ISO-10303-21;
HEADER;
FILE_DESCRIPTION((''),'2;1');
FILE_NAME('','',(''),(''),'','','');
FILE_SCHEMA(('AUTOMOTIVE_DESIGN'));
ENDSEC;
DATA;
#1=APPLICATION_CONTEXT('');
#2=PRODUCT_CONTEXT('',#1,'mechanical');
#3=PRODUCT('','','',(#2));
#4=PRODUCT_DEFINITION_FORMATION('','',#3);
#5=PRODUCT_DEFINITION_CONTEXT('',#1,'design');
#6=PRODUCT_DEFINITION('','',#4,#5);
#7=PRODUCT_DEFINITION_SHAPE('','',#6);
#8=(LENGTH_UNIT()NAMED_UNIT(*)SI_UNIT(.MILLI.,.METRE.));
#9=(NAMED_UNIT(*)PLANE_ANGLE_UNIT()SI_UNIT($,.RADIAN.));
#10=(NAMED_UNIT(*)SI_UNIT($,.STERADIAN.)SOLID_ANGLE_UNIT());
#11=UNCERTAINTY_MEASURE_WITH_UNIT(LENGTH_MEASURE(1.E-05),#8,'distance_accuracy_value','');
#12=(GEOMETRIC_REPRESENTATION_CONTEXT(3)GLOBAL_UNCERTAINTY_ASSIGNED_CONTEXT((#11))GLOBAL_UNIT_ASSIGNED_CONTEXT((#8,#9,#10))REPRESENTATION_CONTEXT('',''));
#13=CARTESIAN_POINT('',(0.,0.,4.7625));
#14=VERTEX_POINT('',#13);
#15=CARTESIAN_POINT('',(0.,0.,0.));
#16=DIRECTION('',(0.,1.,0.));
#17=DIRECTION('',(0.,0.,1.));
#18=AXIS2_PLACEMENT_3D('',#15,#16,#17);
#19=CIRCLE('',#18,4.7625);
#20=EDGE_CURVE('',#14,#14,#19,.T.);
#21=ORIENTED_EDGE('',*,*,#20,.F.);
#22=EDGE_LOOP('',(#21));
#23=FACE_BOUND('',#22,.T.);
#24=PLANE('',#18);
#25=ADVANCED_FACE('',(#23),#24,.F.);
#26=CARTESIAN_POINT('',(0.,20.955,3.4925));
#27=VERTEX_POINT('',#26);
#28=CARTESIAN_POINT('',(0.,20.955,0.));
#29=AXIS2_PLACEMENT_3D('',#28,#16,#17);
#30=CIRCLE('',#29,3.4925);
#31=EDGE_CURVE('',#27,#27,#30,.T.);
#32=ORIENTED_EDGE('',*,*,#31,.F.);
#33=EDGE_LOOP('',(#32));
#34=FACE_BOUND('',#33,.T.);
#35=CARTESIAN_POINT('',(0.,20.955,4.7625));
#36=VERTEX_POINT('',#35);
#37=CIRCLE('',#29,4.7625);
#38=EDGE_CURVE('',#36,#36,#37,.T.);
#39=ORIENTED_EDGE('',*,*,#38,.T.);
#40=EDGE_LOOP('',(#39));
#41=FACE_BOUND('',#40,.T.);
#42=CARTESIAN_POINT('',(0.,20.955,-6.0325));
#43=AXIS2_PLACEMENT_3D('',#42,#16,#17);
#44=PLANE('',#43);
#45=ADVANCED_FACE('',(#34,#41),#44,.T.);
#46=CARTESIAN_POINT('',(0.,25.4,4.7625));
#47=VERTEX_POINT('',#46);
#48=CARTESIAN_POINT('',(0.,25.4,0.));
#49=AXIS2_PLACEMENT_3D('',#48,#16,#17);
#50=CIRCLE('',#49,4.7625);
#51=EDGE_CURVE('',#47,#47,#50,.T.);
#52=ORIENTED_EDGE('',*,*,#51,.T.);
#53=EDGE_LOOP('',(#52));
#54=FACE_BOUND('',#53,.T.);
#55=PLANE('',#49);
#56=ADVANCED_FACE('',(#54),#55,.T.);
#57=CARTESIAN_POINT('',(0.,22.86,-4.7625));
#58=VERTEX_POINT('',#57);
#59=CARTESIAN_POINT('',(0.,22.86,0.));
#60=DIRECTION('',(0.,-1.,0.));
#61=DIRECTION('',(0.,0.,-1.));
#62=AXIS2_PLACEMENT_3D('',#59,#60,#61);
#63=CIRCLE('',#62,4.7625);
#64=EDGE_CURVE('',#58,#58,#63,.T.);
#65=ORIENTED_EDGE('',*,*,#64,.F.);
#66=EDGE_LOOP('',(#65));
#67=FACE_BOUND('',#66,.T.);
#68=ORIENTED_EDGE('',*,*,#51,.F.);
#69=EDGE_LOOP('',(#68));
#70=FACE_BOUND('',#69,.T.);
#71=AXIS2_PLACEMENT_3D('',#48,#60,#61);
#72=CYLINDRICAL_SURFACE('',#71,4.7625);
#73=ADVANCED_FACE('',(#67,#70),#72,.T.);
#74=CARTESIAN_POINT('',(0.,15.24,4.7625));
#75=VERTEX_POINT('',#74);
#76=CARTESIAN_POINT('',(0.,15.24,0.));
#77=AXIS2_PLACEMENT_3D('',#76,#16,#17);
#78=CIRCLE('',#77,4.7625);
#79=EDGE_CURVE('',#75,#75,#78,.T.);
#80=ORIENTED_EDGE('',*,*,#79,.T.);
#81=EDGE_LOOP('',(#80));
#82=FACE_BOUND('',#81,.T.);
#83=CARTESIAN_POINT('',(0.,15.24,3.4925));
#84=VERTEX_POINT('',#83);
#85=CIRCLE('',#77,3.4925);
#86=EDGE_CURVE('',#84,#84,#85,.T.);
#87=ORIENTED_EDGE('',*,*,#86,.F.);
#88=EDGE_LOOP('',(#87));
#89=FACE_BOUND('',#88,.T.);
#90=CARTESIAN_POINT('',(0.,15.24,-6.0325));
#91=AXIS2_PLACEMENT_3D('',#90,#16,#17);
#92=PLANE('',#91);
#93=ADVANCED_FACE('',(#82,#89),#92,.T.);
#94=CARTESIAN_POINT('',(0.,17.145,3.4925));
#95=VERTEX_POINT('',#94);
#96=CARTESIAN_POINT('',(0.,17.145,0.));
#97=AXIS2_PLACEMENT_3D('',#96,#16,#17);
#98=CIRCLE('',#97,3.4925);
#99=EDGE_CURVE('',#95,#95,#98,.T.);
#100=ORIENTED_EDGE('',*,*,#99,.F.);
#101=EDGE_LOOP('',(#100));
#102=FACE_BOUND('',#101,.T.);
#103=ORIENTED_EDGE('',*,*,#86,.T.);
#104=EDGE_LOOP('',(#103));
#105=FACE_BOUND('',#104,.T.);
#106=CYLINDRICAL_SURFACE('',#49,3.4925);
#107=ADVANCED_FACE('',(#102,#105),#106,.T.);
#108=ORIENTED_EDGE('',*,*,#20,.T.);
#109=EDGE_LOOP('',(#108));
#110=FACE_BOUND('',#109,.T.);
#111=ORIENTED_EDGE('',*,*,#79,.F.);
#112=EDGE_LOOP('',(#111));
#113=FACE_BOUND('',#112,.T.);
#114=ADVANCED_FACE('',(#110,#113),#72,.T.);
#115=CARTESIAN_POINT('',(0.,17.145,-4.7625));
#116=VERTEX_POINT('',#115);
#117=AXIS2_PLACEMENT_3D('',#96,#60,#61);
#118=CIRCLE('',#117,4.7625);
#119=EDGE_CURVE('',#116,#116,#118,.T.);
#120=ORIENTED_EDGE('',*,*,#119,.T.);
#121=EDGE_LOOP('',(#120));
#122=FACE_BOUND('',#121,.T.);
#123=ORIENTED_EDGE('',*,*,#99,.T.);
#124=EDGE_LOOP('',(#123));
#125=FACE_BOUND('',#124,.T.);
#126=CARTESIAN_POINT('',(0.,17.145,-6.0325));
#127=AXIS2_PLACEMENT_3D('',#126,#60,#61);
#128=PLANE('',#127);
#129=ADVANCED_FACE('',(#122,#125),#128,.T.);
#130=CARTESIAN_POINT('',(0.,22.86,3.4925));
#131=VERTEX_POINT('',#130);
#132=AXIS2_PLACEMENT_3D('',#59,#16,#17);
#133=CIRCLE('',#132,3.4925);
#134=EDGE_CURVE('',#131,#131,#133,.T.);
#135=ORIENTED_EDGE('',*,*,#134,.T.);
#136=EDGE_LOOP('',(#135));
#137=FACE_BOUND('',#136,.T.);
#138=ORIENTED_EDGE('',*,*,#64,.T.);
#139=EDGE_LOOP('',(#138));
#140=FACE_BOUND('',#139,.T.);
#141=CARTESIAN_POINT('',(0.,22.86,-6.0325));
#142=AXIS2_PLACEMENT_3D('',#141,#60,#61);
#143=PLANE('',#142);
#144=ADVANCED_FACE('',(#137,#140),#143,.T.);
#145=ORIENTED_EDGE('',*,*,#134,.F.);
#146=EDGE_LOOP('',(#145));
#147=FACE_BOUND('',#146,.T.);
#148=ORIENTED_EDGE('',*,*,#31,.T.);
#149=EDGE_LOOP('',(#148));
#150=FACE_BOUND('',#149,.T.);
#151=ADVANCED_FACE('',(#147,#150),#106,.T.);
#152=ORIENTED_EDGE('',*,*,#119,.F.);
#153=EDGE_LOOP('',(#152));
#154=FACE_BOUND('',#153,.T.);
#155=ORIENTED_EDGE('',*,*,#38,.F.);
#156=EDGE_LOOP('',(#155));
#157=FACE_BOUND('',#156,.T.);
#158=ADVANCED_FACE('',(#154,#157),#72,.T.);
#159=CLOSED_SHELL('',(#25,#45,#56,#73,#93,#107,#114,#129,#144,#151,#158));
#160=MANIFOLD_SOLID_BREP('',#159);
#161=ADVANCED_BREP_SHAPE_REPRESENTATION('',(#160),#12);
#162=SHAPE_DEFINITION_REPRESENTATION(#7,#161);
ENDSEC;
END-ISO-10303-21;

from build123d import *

# Parameters (mm, degrees)
SKETCH1_R           = 4.7625
BOSS_EXTRUDE1_DEPTH = 25.4
SKETCH2_W           = 2.54
SKETCH2_H           = 1.905


with BuildPart() as part:
    # Sketch1 → Boss-Extrude1 (new body)
    with BuildSketch(Plane(origin=(0, 0, 0), x_dir=(1, 0, 0), z_dir=(0, 1, 0))):
        with Locations(Location((0, 0, 0), (0, 0, 270))):
            Circle(SKETCH1_R)
    extrude(amount=BOSS_EXTRUDE1_DEPTH)

    # Sketch2 → Cut-Revolve1 (revolve, cut)
    with BuildSketch(Plane(origin=(0, 0, 0), x_dir=(0, 0, -1), z_dir=(1, 0, 0)), mode=Mode.PRIVATE) as cut_revolve1_sk:
        with Locations((4.7625, 21.9075)):
            Rectangle(SKETCH2_W, SKETCH2_H)
        with Locations((4.7625, 16.1925)):
            Rectangle(SKETCH2_W, SKETCH2_H)
    revolve(cut_revolve1_sk.sketch.rotate(Axis((0, 25.4, 0), (0, -1, 0)), 180), axis=Axis((0, 25.4, 0), (0, -1, 0)), mode=Mode.SUBTRACT)


solid = part.part
